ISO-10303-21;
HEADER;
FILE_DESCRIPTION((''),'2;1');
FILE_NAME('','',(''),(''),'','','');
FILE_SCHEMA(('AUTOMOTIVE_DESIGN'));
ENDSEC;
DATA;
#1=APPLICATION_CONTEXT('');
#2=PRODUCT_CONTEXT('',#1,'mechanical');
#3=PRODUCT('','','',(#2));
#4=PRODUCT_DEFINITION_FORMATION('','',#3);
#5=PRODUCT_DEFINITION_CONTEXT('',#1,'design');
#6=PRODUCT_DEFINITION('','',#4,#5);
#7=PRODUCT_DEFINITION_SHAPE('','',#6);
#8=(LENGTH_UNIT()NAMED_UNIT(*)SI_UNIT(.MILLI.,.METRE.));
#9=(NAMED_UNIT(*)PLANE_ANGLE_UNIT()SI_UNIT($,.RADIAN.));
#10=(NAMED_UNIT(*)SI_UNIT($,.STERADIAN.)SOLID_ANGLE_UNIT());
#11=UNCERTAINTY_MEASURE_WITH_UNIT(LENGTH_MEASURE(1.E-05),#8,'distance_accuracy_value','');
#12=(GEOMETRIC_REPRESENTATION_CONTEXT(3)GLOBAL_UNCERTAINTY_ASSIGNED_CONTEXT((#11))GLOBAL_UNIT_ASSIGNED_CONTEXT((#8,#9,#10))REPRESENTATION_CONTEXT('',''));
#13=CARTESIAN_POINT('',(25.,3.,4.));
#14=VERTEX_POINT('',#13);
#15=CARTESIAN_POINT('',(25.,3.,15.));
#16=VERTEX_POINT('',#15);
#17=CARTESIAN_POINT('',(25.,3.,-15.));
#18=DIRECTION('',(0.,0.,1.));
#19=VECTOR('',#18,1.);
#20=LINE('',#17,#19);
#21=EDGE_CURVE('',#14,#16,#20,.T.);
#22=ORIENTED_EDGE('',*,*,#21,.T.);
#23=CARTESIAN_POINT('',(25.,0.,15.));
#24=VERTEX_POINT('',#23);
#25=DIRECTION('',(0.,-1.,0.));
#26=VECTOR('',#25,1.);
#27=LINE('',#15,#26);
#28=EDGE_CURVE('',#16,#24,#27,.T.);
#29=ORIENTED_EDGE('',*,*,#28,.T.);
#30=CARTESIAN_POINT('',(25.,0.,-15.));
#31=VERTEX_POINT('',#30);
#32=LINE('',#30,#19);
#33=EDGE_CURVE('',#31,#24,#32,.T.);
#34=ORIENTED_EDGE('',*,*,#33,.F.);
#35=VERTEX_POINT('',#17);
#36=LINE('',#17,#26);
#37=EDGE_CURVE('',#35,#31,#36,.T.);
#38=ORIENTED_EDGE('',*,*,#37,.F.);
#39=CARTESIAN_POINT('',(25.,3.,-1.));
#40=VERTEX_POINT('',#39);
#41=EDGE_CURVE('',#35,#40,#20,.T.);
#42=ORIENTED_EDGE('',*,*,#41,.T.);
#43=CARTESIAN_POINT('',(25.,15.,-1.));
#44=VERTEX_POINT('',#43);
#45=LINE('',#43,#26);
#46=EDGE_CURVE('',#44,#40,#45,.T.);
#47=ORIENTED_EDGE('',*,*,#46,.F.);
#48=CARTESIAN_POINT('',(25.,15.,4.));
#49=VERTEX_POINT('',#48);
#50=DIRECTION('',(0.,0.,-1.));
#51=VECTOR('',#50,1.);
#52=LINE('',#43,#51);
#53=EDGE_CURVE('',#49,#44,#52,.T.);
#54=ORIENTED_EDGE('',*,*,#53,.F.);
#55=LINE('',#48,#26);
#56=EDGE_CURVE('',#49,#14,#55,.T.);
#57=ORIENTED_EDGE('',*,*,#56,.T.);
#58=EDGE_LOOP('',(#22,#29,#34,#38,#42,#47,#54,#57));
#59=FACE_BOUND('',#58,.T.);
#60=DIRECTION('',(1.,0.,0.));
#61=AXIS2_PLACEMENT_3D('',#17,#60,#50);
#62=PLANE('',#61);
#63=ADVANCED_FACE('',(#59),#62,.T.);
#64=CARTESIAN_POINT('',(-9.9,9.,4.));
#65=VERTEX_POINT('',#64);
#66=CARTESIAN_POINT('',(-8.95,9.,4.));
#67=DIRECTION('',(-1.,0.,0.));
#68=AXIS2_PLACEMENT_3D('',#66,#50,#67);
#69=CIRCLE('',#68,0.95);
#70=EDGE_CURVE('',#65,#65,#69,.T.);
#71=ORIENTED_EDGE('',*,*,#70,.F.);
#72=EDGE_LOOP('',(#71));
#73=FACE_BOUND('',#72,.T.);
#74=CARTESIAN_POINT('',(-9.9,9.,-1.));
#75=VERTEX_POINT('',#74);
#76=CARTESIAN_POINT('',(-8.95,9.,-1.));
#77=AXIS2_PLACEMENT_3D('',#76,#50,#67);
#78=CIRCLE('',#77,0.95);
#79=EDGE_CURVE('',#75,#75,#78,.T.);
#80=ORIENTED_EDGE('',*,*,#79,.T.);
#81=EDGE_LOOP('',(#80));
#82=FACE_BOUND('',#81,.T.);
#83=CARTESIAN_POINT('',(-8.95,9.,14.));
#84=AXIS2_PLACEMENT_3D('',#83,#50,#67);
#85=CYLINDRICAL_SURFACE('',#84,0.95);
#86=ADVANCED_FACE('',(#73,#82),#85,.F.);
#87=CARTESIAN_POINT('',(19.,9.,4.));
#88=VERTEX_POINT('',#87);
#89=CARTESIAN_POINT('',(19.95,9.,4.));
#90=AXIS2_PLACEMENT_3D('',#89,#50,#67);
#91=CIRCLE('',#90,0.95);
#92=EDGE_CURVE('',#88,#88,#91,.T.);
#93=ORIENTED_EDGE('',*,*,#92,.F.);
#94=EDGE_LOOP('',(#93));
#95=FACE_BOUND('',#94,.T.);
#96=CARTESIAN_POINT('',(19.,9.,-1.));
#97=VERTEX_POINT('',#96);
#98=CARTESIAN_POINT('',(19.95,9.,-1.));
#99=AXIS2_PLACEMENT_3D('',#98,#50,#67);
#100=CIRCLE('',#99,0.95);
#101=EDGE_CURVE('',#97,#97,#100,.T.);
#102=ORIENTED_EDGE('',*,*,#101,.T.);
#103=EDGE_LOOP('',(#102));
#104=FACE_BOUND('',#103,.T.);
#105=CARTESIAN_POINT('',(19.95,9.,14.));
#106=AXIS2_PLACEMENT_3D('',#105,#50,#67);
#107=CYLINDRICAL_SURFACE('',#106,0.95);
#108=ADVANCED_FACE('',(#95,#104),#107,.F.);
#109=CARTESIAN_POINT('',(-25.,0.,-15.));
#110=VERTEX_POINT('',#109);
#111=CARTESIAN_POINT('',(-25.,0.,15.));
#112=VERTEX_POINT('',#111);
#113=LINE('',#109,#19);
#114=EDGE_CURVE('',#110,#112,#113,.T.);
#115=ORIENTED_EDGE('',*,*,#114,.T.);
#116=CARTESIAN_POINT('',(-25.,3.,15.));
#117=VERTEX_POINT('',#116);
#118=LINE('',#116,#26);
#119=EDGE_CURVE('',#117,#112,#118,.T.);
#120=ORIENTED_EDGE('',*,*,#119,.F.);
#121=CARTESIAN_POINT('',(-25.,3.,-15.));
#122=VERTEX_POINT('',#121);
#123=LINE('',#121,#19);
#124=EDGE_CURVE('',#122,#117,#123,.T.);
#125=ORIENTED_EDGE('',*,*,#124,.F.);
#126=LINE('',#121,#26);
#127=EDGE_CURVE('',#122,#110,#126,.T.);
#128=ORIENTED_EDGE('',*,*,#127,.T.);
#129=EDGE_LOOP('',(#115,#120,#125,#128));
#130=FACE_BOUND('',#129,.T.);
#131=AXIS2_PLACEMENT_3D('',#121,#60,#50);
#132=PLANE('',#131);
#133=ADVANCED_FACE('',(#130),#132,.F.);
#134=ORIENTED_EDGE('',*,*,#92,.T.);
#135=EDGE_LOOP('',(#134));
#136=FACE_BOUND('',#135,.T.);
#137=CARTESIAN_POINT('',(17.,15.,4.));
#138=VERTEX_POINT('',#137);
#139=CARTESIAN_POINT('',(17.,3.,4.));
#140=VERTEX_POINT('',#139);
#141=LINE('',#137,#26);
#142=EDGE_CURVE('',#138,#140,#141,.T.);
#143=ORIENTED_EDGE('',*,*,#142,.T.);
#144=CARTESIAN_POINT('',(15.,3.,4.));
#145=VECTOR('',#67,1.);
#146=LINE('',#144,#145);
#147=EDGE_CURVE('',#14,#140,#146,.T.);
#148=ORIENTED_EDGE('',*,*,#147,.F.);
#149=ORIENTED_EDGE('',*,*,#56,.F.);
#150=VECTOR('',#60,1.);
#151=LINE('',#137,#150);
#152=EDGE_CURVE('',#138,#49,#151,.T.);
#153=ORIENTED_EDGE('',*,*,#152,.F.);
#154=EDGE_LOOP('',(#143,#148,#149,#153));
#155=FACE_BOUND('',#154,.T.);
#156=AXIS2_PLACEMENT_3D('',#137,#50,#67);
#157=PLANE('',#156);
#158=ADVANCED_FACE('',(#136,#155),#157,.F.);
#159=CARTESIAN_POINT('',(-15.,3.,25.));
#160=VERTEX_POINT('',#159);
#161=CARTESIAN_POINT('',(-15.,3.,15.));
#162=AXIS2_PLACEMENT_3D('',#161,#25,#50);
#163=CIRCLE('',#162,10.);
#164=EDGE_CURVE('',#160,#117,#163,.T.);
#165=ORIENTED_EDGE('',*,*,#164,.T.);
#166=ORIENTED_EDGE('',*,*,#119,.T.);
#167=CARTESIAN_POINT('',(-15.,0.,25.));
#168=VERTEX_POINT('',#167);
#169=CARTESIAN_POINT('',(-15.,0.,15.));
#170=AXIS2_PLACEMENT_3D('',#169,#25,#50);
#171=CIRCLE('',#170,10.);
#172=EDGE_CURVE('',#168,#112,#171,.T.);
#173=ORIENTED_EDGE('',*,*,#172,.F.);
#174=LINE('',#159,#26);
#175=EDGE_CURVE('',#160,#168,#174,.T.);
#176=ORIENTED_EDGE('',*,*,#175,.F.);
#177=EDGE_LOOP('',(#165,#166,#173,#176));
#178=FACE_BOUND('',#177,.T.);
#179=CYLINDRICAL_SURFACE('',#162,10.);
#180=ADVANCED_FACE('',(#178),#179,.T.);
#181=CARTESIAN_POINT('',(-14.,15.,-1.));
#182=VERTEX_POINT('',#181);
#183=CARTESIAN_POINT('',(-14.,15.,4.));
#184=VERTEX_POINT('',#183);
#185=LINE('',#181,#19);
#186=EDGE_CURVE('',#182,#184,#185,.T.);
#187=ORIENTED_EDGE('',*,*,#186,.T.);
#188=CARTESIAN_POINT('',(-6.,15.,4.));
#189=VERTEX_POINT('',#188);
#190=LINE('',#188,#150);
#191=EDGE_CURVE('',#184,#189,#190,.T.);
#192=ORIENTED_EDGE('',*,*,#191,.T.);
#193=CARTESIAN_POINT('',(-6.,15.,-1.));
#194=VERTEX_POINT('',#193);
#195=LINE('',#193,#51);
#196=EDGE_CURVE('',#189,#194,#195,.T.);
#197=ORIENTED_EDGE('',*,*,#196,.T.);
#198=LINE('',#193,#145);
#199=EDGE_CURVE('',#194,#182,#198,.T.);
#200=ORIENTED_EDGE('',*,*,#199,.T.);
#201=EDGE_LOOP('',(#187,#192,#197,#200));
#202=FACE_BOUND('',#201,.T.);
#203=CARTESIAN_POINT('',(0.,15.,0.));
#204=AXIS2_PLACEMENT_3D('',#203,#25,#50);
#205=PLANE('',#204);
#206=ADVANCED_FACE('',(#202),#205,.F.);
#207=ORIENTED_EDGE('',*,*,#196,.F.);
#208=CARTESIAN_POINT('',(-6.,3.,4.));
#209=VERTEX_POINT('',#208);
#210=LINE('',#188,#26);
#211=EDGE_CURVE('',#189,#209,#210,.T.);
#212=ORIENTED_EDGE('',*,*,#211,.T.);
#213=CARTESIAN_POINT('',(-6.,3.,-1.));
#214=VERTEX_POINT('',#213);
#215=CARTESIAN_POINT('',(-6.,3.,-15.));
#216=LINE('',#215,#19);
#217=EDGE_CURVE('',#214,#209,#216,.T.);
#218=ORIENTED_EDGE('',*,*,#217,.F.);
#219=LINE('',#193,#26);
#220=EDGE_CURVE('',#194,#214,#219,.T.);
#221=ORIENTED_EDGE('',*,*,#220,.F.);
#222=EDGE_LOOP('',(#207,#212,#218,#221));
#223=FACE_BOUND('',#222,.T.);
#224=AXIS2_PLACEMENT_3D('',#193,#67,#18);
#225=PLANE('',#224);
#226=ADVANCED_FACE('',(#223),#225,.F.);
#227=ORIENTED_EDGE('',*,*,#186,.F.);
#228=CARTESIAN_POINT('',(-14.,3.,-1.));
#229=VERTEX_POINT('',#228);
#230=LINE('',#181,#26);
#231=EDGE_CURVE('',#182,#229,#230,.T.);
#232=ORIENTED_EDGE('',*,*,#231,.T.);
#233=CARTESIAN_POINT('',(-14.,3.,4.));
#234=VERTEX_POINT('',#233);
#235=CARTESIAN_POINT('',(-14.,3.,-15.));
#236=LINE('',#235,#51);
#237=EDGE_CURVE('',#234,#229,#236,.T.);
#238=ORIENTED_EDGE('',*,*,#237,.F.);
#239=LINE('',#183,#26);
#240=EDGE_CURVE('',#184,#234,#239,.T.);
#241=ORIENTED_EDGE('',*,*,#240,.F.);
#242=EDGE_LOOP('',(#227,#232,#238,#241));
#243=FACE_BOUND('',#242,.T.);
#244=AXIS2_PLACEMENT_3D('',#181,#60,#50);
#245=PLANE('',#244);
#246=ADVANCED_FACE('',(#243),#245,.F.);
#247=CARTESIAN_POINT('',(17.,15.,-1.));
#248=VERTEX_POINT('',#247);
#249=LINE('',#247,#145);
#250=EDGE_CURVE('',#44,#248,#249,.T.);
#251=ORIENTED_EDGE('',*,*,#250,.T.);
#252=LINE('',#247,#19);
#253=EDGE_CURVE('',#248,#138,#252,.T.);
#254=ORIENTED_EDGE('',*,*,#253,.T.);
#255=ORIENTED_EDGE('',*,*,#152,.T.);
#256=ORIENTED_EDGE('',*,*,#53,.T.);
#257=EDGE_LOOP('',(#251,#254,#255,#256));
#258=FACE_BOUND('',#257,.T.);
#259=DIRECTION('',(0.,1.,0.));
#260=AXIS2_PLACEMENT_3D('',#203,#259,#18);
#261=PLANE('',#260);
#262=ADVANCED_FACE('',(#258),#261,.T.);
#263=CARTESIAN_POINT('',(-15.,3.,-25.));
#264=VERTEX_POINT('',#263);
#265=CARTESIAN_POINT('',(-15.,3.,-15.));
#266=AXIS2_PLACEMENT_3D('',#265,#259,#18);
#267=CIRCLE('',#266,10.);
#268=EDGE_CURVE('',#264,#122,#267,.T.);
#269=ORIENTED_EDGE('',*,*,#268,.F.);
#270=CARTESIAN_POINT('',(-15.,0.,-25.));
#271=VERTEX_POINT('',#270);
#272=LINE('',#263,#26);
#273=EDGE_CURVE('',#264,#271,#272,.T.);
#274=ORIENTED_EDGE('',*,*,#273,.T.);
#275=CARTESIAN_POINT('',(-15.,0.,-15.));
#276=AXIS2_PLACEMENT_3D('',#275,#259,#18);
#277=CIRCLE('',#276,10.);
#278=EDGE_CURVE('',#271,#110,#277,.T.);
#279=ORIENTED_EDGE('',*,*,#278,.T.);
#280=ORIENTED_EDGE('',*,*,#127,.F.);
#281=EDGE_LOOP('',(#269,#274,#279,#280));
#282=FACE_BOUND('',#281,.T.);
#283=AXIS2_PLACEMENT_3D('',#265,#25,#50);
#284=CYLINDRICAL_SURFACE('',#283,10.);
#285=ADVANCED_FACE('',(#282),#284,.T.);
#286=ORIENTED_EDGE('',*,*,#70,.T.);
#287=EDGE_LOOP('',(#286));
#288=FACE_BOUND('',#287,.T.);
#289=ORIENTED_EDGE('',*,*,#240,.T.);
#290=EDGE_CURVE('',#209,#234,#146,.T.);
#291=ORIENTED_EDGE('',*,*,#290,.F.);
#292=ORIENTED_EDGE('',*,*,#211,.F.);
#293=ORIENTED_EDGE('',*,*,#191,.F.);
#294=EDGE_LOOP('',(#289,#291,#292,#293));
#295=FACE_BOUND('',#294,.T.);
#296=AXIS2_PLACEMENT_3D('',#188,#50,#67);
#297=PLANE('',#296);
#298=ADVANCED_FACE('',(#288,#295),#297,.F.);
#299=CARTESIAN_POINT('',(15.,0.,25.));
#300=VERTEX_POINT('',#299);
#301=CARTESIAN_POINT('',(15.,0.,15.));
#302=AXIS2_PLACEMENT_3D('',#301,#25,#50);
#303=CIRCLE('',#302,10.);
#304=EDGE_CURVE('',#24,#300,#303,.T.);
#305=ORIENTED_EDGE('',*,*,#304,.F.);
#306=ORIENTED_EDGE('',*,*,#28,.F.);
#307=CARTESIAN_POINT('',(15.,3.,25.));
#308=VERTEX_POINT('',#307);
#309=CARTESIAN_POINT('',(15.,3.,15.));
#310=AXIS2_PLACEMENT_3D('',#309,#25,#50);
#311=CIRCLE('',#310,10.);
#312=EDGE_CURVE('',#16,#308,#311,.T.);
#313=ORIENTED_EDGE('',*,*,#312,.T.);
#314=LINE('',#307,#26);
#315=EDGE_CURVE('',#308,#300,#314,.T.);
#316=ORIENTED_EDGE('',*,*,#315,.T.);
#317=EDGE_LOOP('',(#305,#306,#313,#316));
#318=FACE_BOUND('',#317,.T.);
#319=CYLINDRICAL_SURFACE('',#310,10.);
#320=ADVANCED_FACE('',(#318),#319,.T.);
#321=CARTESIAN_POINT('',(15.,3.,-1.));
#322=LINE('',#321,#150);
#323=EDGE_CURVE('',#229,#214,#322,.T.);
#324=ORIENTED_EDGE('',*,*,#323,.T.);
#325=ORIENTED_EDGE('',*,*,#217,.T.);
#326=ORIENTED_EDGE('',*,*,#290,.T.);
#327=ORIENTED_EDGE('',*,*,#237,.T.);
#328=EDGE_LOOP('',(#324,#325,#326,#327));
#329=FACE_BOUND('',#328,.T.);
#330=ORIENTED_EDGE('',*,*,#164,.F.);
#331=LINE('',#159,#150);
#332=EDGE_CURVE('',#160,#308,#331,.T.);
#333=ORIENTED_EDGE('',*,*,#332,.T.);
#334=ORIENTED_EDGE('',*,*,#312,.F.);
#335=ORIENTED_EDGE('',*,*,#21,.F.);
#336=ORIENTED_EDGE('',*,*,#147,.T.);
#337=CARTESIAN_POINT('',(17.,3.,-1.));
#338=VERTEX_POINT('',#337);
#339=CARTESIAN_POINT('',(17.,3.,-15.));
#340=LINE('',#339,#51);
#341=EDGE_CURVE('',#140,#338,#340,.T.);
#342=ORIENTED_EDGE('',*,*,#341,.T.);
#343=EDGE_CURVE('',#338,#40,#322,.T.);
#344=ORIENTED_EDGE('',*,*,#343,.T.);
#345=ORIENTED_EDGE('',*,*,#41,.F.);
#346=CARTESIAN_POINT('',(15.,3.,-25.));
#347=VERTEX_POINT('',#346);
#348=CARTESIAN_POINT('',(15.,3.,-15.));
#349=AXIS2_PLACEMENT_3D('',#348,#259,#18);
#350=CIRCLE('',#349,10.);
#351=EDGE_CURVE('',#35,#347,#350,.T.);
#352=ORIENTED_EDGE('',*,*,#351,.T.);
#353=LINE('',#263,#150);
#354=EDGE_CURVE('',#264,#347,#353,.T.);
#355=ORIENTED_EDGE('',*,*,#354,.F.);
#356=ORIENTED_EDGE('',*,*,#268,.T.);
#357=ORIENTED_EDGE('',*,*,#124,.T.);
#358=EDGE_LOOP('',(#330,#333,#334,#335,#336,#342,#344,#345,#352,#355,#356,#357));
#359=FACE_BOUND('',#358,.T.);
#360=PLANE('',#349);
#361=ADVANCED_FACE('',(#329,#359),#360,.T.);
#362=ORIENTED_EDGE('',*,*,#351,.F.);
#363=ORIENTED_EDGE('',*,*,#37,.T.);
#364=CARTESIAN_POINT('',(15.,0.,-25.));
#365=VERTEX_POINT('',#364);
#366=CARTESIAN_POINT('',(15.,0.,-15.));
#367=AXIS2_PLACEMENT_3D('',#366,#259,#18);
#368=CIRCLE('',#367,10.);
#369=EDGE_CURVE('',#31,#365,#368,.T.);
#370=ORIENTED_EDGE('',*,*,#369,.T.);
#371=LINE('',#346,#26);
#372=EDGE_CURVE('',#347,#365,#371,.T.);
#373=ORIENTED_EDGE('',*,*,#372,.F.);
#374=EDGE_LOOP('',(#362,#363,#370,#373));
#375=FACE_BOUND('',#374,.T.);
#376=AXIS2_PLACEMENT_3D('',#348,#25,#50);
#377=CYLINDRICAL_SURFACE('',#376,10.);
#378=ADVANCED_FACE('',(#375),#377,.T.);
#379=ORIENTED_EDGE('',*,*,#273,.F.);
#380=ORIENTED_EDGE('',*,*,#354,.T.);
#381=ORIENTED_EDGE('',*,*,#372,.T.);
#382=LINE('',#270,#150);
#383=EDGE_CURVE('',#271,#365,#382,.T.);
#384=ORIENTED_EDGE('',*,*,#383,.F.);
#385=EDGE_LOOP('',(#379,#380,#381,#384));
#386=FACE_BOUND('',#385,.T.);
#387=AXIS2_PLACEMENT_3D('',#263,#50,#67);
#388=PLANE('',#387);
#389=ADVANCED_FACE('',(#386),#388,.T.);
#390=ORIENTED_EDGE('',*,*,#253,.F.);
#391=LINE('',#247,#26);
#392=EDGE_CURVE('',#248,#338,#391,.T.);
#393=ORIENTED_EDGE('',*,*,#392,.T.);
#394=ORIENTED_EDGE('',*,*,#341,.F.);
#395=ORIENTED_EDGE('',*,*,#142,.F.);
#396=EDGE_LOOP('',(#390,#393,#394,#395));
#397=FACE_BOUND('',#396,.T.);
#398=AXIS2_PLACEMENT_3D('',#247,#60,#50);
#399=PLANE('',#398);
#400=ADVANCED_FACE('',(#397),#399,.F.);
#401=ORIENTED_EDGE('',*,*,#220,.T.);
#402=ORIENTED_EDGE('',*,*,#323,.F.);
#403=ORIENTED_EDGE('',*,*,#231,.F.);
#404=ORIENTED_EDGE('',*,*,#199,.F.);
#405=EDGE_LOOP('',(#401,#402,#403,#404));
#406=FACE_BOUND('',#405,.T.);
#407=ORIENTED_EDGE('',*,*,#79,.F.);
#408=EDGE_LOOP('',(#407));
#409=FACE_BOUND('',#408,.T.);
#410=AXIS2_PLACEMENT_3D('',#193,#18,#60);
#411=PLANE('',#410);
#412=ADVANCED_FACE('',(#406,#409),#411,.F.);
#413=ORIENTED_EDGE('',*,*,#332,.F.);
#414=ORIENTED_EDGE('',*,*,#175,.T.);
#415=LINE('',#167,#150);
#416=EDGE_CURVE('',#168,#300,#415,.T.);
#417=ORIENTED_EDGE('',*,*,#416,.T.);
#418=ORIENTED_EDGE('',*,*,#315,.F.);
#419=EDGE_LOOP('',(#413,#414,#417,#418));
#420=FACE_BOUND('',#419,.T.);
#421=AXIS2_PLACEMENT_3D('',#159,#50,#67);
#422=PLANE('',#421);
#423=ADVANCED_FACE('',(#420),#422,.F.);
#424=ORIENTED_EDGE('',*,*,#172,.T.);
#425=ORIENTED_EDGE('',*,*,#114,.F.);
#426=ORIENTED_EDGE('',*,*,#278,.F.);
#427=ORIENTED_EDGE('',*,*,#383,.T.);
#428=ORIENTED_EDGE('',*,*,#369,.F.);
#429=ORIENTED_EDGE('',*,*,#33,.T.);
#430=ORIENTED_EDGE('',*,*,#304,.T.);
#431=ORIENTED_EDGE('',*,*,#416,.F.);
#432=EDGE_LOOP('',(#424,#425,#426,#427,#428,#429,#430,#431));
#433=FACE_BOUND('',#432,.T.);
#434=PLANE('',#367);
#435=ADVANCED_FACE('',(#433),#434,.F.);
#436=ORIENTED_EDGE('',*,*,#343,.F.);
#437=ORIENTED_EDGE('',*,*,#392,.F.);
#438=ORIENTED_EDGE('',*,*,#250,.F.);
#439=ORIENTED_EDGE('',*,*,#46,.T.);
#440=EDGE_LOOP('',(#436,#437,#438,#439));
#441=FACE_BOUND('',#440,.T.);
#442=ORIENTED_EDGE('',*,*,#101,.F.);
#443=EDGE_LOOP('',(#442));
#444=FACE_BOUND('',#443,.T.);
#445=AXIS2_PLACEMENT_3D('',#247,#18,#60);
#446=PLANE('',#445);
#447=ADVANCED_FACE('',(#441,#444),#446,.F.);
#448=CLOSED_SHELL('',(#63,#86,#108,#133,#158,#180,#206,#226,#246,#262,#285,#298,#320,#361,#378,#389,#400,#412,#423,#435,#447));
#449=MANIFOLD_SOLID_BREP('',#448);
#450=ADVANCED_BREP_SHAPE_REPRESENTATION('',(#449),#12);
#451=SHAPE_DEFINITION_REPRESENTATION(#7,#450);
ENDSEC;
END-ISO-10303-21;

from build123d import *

# Parameters (mm, degrees)
EXTRUDE_1_DEPTH     = 3
SKETCH_2_W          = 8
SKETCH_2_H          = 5
EXTRUDE_2_DEPTH     = 15
SKETCH_3_R          = 0.95
CUT_EXTRUDE_1_DEPTH = 15


with BuildPart() as part:
    # 草图1 → 凸台-拉伸1 (new body)
    with BuildSketch(Plane(origin=(0, 0, 0), x_dir=(1, 0, 0), z_dir=(0, 1, 0))):
        with BuildLine():
            Line((-15, 25), (15, 25))
            ThreePointArc((15, 25), (22.071067812, 22.071067812), (25, 15))
            Line((25, 15), (25, -15))
            ThreePointArc((25, -15), (22.071067812, -22.071067812), (15, -25))
            Line((15, -25), (-15, -25))
            ThreePointArc((-15, -25), (-22.071067812, -22.071067812), (-25, -15))
            Line((-25, -15), (-25, 15))
            ThreePointArc((-25, 15), (-22.071067812, 22.071067812), (-15, 25))
        make_face()
    extrude(amount=EXTRUDE_1_DEPTH)

    # 草图2 → 凸台-拉伸2 (add)
    with BuildSketch(Plane(origin=(0, 0, 0), x_dir=(1, 0, 0), z_dir=(0, 1, 0))):
        with Locations((21, -1.5)):
            Rectangle(SKETCH_2_W, SKETCH_2_H)
        with Locations((-10, -1.5)):
            Rectangle(SKETCH_2_W, SKETCH_2_H)
    extrude(amount=EXTRUDE_2_DEPTH)

    # 草图3 → 切除-拉伸1 (cut)
    with BuildSketch(Plane(origin=(0, 0, -1), x_dir=(-1, 0, 0), z_dir=(0, 0, -1))):
        with Locations((8.95, 9)):
            Circle(SKETCH_3_R)
        with Locations((-19.95, 9)):
            Circle(SKETCH_3_R)
    extrude(amount=-CUT_EXTRUDE_1_DEPTH, mode=Mode.SUBTRACT)


solid = part.part
